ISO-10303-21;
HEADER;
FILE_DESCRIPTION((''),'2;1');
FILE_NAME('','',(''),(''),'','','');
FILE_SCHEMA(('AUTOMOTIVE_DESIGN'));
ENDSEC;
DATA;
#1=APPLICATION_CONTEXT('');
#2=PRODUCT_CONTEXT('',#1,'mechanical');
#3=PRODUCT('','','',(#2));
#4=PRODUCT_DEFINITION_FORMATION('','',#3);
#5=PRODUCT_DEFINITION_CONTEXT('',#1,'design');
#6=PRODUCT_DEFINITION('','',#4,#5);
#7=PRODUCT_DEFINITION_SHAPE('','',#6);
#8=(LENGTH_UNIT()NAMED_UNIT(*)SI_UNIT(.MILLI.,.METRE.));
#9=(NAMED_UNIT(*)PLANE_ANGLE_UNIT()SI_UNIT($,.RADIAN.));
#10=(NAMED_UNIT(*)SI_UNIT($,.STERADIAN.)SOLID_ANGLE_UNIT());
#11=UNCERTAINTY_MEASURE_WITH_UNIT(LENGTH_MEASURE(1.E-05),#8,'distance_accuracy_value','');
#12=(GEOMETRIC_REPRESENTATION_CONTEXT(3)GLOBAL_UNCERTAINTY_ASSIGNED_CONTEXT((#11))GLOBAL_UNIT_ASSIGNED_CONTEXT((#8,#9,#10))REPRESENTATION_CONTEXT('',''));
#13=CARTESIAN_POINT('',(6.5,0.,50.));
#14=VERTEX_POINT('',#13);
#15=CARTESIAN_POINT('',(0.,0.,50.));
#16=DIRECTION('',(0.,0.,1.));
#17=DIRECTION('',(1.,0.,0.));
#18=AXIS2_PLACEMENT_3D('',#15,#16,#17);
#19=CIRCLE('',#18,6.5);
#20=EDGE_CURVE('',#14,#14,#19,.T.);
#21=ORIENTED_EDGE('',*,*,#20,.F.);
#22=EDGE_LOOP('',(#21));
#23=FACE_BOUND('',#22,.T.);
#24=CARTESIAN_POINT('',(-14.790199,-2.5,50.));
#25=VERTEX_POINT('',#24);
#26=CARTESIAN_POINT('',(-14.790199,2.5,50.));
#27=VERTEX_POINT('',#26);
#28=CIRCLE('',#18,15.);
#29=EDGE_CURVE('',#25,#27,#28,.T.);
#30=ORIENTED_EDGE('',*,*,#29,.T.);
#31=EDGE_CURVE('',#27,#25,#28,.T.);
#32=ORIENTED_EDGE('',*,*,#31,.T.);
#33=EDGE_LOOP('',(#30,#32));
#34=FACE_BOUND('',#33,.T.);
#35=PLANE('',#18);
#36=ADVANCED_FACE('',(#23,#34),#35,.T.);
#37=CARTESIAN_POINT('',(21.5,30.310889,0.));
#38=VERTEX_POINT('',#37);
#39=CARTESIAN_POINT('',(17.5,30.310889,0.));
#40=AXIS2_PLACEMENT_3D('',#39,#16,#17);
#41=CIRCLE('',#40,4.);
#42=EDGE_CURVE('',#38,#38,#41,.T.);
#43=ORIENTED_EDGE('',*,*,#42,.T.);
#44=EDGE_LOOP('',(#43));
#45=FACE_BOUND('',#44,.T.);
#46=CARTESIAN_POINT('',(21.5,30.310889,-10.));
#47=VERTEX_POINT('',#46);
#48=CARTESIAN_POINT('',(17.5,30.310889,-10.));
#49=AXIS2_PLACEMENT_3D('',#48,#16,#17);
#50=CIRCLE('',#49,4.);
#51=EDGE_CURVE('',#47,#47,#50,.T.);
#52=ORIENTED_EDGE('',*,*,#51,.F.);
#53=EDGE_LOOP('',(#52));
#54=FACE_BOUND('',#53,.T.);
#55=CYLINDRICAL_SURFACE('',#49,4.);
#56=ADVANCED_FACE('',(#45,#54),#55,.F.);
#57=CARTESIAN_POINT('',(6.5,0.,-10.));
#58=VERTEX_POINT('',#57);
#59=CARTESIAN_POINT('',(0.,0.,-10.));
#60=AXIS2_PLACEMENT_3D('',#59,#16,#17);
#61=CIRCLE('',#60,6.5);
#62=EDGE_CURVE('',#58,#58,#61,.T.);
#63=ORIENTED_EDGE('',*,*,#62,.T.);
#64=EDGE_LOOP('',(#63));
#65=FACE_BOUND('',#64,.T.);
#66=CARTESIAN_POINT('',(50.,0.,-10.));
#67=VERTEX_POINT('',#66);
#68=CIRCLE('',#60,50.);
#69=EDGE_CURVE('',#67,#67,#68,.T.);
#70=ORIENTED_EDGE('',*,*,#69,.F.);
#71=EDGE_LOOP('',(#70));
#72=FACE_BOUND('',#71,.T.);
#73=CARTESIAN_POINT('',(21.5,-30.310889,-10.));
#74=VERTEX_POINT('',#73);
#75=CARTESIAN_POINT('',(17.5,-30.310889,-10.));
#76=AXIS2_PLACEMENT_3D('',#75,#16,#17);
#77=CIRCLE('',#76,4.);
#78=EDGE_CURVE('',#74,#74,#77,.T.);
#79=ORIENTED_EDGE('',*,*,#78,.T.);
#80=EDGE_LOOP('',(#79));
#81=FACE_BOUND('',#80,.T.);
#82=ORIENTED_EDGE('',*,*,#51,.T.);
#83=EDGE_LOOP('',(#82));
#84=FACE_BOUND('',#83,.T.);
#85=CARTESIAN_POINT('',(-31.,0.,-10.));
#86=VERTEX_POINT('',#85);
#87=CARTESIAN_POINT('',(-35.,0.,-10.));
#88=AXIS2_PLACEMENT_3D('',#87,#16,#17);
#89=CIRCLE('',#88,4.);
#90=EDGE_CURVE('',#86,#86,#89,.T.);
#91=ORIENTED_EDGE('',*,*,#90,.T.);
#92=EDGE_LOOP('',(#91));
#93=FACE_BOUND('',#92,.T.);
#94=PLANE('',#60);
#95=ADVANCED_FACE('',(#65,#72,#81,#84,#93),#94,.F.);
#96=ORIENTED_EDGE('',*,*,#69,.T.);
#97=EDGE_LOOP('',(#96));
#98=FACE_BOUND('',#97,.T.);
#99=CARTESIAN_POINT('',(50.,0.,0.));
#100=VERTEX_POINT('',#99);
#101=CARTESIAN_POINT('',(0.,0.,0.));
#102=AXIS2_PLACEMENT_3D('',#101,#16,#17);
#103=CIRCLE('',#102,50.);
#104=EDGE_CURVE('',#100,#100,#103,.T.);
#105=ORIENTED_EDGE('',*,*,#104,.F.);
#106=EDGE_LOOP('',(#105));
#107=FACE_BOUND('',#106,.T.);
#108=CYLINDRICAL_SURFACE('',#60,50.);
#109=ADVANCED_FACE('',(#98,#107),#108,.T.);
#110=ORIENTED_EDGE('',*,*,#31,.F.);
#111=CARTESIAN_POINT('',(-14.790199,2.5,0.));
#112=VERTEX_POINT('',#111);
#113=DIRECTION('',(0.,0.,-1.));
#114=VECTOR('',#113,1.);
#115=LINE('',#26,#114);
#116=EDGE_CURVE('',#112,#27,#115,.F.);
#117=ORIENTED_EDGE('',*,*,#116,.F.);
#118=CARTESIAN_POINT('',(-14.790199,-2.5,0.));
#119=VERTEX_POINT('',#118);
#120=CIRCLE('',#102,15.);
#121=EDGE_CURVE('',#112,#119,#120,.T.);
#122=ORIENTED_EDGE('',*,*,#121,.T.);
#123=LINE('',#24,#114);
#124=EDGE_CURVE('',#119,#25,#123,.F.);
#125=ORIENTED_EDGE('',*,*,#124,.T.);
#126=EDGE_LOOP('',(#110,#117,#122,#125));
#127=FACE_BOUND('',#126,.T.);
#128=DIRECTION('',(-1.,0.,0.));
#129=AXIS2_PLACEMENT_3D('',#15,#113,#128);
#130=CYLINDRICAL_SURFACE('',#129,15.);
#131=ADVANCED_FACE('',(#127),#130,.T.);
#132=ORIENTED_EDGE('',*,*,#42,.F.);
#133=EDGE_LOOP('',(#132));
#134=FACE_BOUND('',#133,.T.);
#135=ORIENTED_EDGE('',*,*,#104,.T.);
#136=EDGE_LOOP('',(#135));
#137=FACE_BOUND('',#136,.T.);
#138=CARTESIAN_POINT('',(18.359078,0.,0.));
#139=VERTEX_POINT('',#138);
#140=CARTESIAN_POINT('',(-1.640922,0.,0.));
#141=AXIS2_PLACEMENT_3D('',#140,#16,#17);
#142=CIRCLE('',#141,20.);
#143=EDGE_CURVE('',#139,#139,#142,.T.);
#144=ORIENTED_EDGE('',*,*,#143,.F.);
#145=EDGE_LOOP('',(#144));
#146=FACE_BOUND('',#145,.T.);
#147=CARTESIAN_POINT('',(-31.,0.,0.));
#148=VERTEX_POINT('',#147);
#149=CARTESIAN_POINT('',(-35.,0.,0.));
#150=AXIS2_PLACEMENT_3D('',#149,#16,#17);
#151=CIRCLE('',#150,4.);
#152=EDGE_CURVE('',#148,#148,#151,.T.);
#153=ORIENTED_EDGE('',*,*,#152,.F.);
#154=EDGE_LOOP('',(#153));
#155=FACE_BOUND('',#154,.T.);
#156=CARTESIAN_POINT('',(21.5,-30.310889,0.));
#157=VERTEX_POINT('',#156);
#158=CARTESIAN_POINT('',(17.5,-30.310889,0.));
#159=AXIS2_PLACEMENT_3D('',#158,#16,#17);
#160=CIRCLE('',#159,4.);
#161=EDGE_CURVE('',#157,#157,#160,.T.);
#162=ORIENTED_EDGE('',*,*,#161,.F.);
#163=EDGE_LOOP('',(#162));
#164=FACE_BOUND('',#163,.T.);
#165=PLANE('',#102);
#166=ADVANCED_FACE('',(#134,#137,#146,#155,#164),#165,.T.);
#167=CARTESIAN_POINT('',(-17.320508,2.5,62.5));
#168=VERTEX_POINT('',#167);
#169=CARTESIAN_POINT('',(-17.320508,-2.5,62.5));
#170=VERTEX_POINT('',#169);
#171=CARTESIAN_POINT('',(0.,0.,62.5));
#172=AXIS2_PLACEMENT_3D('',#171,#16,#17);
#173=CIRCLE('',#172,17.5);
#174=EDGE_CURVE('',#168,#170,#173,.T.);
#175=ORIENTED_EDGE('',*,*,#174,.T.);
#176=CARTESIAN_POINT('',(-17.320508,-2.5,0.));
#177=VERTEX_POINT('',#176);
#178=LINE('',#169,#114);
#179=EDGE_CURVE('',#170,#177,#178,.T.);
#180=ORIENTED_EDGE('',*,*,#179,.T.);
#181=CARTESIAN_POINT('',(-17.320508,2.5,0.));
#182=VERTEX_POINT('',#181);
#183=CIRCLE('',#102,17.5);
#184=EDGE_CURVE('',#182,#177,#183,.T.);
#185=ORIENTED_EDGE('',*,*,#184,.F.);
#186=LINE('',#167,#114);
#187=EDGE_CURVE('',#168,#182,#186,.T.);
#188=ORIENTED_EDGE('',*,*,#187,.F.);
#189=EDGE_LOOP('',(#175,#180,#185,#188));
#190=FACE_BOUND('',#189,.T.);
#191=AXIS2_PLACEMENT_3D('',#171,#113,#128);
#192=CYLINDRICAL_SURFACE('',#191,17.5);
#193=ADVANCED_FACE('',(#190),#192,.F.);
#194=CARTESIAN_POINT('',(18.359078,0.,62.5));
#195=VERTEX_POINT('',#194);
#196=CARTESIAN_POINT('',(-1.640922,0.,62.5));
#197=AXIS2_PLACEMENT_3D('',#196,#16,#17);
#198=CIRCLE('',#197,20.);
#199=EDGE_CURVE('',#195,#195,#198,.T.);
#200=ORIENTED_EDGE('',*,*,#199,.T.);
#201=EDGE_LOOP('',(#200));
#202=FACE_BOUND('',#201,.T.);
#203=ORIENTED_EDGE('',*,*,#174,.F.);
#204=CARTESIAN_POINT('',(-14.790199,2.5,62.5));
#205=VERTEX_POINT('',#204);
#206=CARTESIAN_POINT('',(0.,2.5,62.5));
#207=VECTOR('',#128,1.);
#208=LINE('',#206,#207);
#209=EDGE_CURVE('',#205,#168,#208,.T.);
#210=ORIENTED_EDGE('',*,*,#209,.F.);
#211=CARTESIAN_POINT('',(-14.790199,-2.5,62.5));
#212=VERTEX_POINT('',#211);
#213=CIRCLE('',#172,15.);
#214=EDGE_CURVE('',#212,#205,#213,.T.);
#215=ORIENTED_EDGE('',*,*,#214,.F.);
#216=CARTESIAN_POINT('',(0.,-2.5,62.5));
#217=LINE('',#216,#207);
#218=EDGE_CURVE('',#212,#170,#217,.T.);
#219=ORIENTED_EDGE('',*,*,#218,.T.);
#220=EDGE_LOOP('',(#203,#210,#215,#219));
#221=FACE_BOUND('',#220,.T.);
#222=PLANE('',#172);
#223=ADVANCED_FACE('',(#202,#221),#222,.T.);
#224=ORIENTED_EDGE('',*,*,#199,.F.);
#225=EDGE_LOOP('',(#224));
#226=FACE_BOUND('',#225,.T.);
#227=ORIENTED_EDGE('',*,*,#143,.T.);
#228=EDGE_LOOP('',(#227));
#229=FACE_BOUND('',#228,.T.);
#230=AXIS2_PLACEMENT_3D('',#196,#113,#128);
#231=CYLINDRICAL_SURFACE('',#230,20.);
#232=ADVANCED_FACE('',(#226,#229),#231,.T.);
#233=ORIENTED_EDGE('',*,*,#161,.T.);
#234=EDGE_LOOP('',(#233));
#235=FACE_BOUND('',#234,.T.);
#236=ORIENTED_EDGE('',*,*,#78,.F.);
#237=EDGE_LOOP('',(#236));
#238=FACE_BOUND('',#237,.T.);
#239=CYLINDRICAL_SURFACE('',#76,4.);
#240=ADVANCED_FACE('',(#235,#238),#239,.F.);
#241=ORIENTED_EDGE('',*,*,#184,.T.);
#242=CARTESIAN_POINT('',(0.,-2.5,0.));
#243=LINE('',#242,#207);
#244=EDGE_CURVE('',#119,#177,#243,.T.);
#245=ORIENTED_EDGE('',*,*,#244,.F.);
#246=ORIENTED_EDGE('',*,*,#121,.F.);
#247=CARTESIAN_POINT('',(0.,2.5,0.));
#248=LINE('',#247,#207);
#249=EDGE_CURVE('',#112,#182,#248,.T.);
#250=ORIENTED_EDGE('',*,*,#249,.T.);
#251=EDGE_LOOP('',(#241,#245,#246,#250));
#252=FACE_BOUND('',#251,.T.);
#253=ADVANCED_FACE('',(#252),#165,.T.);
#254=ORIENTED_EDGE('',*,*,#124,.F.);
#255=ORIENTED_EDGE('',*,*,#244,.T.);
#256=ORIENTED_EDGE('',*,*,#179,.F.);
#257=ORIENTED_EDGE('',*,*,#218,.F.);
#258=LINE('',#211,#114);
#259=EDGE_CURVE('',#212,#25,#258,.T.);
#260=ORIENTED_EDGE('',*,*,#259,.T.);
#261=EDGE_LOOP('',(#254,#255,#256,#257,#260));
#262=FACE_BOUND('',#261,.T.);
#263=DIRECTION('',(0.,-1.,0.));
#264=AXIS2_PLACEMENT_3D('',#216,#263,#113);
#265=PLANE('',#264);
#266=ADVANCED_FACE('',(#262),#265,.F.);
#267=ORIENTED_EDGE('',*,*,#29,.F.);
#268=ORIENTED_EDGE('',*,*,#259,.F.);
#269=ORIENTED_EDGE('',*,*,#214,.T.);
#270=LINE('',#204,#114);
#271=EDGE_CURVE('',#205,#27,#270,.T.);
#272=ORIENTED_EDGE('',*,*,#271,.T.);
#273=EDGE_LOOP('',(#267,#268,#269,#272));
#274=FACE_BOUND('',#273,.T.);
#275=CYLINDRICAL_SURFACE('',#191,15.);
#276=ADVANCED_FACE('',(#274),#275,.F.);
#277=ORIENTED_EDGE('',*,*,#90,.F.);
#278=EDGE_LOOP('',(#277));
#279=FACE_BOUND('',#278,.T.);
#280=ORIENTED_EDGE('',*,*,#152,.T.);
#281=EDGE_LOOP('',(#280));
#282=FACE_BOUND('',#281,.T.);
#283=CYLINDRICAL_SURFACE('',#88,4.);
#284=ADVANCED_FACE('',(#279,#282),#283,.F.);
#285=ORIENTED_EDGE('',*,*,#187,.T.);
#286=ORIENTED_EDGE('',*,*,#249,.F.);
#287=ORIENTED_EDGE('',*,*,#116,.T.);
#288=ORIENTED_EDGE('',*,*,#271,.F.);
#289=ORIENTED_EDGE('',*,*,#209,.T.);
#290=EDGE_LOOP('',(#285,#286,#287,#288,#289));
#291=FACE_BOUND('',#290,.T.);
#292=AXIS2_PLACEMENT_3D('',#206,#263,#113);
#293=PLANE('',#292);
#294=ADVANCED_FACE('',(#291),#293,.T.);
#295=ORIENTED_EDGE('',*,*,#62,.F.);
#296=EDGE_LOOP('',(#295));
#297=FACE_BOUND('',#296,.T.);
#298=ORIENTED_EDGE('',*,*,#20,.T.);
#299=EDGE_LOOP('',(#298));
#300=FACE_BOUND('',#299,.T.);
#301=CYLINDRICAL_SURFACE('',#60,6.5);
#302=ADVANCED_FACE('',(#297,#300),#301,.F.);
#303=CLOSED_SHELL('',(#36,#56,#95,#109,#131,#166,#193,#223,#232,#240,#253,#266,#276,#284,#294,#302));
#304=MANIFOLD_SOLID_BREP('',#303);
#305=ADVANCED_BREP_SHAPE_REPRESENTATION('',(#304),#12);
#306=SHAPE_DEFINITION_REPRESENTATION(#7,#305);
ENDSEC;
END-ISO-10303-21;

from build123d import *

# Parameters (mm, degrees)
SKETCH1_R               = 50
BOSS_EXTRUDE1_DEPTH     = 10
SKETCH1_3_R             = 4
CUT_EXTRUDE1_DEPTH      = 10
SKETCH1_4_R             = 20
BOSS_EXTRUDE2_DEPTH     = 62.5
SKETCH4_R               = 15
BOSS_EXTRUDE4_DEPTH     = 50
SKETCH3_R               = 6.5
CUT_EXTRUDE3_DEPTH      = 63.5
CUT_EXTRUDE3_DEPTH_BACK = 11


with BuildPart() as part:
    # Sketch1 → Boss-Extrude1 (new body)
    with BuildSketch(Plane.XY):
        Circle(SKETCH1_R)
    extrude(amount=-BOSS_EXTRUDE1_DEPTH)

    # Sketch1<3> → Cut-Extrude1 (cut)
    with BuildSketch(Plane.XY):
        with Locations((-35, 0)):
            Circle(SKETCH1_3_R)
        with Locations((17.5, 30.310889132)):
            Circle(SKETCH1_3_R)
        with Locations((17.5, -30.310889132)):
            Circle(SKETCH1_3_R)
    extrude(amount=-CUT_EXTRUDE1_DEPTH, mode=Mode.SUBTRACT)

    # Sketch1<4> → Boss-Extrude2 (add)
    with BuildSketch(Plane.XY):
        with Locations((-1.640921825, 0)):
            Circle(SKETCH1_4_R)
        with BuildLine():
            ThreePointArc((-17.320508076, 2.5), (-17.5, 0), (-17.320508076, -2.5))
            Line((-17.320508076, -2.5), (-14.790199458, -2.5))
            ThreePointArc((-14.790199458, -2.5), (15, 0), (-14.790199458, 2.5))
            Line((-14.790199458, 2.5), (-17.320508076, 2.5))
        make_face(mode=Mode.SUBTRACT)
    extrude(amount=BOSS_EXTRUDE2_DEPTH)

    # Sketch4 → Boss-Extrude4 (add)
    with BuildSketch(Plane.XY):
        Circle(SKETCH4_R)
    extrude(amount=BOSS_EXTRUDE4_DEPTH)

    # Sketch3 → Cut-Extrude3 (cut, two sides)
    with BuildSketch(Plane.XY) as cut_extrude3_sk:
        Circle(SKETCH3_R)
    extrude(amount=CUT_EXTRUDE3_DEPTH, mode=Mode.SUBTRACT)
    extrude(cut_extrude3_sk.sketch, amount=-CUT_EXTRUDE3_DEPTH_BACK, mode=Mode.SUBTRACT)


solid = part.part
